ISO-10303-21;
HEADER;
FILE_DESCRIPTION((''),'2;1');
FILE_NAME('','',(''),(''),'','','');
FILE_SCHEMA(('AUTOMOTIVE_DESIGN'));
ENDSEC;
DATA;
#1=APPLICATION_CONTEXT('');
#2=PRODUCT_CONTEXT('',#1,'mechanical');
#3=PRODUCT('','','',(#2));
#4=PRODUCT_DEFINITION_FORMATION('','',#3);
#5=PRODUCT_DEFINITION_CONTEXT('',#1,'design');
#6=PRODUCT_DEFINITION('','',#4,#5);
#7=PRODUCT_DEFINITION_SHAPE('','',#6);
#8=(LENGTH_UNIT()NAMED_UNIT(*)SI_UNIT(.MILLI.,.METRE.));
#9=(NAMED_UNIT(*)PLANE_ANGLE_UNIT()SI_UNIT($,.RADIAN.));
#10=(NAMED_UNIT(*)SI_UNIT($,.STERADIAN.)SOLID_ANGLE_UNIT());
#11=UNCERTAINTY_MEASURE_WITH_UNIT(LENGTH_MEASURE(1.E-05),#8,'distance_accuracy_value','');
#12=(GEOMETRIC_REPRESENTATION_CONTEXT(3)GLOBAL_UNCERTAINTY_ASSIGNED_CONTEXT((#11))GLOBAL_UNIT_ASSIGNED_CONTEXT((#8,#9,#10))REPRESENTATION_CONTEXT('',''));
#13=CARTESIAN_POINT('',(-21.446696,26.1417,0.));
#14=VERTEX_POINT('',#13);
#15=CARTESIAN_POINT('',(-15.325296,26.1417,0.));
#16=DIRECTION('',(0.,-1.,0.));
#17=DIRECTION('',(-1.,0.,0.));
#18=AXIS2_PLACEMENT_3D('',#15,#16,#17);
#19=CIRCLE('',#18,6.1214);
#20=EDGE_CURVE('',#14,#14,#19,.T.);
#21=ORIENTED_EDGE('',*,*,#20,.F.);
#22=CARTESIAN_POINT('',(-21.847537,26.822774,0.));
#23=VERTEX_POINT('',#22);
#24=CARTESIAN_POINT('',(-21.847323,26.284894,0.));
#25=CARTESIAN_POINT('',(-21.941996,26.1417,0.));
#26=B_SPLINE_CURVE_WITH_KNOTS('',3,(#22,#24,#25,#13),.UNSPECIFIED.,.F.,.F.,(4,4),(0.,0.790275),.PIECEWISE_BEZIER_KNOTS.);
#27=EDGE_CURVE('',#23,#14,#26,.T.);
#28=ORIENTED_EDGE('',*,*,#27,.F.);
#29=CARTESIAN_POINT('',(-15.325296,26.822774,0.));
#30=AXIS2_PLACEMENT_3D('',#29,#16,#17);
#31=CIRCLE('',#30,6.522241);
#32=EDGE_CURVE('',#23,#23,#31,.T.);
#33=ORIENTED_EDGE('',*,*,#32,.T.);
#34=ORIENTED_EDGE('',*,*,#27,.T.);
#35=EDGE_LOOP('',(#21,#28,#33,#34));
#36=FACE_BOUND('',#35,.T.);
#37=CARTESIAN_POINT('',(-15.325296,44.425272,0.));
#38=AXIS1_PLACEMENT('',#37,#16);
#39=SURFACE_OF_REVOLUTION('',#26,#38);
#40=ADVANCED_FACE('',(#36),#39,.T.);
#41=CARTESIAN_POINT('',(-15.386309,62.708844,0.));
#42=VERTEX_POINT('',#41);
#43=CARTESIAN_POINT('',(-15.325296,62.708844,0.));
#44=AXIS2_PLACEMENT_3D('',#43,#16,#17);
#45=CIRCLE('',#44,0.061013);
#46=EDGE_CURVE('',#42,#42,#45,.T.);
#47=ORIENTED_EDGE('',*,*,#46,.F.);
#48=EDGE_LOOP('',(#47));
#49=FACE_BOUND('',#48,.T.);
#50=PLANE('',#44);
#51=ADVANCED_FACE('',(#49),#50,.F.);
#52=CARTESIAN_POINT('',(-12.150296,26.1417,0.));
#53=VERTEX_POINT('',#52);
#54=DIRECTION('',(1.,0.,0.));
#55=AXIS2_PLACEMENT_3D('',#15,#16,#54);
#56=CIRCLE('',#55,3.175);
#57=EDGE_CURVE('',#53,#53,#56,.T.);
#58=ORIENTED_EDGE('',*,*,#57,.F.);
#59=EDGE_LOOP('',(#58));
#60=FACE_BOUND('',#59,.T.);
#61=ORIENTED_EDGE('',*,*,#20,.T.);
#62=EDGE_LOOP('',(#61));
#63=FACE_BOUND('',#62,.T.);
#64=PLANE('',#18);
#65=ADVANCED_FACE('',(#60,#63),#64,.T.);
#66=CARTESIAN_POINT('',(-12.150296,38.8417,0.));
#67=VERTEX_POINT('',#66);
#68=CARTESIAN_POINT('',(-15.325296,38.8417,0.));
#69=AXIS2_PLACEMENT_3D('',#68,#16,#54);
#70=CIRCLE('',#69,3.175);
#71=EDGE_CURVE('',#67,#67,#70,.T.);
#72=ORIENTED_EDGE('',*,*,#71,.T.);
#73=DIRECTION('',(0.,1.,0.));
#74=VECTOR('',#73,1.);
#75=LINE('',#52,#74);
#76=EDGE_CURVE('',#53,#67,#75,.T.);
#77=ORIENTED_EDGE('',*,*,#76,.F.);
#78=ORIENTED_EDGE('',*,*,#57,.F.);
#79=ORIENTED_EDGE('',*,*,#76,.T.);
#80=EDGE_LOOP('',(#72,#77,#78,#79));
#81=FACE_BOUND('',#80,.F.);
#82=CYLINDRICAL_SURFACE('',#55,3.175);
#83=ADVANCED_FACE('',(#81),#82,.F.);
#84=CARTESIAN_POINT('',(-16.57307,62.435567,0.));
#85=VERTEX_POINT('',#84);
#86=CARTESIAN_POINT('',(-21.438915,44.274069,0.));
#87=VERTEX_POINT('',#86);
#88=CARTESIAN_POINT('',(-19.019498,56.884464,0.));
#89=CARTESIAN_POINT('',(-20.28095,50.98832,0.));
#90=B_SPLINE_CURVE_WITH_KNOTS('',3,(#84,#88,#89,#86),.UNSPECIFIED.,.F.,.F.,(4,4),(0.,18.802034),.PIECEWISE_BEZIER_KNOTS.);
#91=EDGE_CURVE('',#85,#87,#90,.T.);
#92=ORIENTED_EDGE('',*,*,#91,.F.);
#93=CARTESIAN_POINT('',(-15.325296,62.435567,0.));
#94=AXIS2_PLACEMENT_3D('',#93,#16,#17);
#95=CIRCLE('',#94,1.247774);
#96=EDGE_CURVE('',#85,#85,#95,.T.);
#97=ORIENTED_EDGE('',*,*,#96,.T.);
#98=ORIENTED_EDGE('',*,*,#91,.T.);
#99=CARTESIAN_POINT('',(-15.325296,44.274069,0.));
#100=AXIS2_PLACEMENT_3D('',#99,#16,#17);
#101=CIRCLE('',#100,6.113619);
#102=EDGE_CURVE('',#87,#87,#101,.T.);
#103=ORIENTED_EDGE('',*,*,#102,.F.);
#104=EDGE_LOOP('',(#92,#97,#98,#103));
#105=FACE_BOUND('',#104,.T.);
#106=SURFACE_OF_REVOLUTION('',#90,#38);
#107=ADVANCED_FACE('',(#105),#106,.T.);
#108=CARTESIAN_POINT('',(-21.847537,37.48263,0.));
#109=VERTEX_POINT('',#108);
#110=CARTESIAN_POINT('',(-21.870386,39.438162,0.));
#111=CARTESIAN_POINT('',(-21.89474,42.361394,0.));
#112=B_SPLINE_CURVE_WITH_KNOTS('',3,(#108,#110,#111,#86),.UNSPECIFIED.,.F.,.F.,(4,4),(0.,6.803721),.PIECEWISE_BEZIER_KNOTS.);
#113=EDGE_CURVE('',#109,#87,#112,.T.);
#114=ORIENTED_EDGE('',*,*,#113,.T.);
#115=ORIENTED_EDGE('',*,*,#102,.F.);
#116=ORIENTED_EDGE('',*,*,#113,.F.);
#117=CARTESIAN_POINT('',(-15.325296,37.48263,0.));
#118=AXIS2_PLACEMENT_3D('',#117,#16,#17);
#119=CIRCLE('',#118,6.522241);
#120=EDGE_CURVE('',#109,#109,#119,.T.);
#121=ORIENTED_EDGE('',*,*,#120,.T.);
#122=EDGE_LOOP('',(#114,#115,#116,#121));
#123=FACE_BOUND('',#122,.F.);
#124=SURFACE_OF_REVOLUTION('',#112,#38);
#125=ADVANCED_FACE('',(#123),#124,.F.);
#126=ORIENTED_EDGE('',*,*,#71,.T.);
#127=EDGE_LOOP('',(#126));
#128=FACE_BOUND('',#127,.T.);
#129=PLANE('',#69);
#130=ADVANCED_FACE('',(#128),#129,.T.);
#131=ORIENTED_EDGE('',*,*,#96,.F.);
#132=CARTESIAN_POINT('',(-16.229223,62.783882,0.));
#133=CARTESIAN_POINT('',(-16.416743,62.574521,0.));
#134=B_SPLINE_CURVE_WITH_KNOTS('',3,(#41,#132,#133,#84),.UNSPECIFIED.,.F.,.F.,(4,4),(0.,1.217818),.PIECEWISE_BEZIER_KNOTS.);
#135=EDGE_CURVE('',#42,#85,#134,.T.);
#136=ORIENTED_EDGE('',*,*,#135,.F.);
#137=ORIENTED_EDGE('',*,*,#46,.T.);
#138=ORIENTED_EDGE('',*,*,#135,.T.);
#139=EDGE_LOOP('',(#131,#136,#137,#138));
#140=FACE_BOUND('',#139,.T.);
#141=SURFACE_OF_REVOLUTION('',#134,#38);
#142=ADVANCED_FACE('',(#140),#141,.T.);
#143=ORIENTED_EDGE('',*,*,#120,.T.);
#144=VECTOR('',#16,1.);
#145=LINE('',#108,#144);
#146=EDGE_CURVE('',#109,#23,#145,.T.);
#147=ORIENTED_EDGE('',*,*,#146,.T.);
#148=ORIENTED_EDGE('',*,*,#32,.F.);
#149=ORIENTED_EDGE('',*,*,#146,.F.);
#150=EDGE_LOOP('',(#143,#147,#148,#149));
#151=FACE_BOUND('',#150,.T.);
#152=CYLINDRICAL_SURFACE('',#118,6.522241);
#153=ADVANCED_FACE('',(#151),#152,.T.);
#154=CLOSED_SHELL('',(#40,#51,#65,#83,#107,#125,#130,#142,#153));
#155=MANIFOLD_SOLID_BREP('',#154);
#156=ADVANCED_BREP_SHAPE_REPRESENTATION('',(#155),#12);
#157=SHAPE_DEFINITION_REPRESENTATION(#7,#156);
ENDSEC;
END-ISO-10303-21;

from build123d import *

# Parameters (mm, degrees)
F2_R     = 3.175
F3_DEPTH = 12.7


with BuildPart() as f1:
    # F0 (on Top) → F1 (revolve)
    with BuildSketch(Plane.XY):
        with BuildLine():
            Line((-21.446696, 26.1417), (-15.325296, 26.1417))
            Line((-15.325296, 26.1417), (-15.325296, 62.708844))
            Line((-15.325296, 62.708844), (-15.386309, 62.708844))
            add(Edge.make_bspline(
                [(-15.386309, 62.708844), (-16.229223, 62.783882), (-16.416743, 62.574521), (-16.57307, 62.435567)],
                knots=[0, 0, 0, 0, 1.217818, 1.217818, 1.217818, 1.217818], degree=3))
            add(Edge.make_bspline(
                [(-16.57307, 62.435567), (-19.019498, 56.884464), (-20.28095, 50.98832), (-21.438915, 44.274069)],
                knots=[0, 0, 0, 0, 18.802034, 18.802034, 18.802034, 18.802034], degree=3))
            add(Edge.make_bspline(
                [(-21.847537, 37.48263), (-21.870386, 39.438162), (-21.89474, 42.361394), (-21.438915, 44.274069)],
                knots=[0, 0, 0, 0, 6.803721, 6.803721, 6.803721, 6.803721], degree=3))
            Line((-21.847537, 37.48263), (-21.847537, 26.822774))
            add(Edge.make_bspline(
                [(-21.847537, 26.822774), (-21.847323, 26.284894), (-21.941996, 26.1417), (-21.446696, 26.1417)],
                knots=[0, 0, 0, 0, 0.790275, 0.790275, 0.790275, 0.790275], degree=3))
        make_face()
    revolve(axis=Axis((-15.325296, 44.425272, 0), (0, -1, 0)))

    # F2 (on face) → F3 (cut)
    with BuildSketch(Plane.XZ.offset(-26.1417)):
        with Locations((-15.325296, 0)):
            Circle(F2_R)
    extrude(amount=-F3_DEPTH, mode=Mode.SUBTRACT)


solid = f1.part
